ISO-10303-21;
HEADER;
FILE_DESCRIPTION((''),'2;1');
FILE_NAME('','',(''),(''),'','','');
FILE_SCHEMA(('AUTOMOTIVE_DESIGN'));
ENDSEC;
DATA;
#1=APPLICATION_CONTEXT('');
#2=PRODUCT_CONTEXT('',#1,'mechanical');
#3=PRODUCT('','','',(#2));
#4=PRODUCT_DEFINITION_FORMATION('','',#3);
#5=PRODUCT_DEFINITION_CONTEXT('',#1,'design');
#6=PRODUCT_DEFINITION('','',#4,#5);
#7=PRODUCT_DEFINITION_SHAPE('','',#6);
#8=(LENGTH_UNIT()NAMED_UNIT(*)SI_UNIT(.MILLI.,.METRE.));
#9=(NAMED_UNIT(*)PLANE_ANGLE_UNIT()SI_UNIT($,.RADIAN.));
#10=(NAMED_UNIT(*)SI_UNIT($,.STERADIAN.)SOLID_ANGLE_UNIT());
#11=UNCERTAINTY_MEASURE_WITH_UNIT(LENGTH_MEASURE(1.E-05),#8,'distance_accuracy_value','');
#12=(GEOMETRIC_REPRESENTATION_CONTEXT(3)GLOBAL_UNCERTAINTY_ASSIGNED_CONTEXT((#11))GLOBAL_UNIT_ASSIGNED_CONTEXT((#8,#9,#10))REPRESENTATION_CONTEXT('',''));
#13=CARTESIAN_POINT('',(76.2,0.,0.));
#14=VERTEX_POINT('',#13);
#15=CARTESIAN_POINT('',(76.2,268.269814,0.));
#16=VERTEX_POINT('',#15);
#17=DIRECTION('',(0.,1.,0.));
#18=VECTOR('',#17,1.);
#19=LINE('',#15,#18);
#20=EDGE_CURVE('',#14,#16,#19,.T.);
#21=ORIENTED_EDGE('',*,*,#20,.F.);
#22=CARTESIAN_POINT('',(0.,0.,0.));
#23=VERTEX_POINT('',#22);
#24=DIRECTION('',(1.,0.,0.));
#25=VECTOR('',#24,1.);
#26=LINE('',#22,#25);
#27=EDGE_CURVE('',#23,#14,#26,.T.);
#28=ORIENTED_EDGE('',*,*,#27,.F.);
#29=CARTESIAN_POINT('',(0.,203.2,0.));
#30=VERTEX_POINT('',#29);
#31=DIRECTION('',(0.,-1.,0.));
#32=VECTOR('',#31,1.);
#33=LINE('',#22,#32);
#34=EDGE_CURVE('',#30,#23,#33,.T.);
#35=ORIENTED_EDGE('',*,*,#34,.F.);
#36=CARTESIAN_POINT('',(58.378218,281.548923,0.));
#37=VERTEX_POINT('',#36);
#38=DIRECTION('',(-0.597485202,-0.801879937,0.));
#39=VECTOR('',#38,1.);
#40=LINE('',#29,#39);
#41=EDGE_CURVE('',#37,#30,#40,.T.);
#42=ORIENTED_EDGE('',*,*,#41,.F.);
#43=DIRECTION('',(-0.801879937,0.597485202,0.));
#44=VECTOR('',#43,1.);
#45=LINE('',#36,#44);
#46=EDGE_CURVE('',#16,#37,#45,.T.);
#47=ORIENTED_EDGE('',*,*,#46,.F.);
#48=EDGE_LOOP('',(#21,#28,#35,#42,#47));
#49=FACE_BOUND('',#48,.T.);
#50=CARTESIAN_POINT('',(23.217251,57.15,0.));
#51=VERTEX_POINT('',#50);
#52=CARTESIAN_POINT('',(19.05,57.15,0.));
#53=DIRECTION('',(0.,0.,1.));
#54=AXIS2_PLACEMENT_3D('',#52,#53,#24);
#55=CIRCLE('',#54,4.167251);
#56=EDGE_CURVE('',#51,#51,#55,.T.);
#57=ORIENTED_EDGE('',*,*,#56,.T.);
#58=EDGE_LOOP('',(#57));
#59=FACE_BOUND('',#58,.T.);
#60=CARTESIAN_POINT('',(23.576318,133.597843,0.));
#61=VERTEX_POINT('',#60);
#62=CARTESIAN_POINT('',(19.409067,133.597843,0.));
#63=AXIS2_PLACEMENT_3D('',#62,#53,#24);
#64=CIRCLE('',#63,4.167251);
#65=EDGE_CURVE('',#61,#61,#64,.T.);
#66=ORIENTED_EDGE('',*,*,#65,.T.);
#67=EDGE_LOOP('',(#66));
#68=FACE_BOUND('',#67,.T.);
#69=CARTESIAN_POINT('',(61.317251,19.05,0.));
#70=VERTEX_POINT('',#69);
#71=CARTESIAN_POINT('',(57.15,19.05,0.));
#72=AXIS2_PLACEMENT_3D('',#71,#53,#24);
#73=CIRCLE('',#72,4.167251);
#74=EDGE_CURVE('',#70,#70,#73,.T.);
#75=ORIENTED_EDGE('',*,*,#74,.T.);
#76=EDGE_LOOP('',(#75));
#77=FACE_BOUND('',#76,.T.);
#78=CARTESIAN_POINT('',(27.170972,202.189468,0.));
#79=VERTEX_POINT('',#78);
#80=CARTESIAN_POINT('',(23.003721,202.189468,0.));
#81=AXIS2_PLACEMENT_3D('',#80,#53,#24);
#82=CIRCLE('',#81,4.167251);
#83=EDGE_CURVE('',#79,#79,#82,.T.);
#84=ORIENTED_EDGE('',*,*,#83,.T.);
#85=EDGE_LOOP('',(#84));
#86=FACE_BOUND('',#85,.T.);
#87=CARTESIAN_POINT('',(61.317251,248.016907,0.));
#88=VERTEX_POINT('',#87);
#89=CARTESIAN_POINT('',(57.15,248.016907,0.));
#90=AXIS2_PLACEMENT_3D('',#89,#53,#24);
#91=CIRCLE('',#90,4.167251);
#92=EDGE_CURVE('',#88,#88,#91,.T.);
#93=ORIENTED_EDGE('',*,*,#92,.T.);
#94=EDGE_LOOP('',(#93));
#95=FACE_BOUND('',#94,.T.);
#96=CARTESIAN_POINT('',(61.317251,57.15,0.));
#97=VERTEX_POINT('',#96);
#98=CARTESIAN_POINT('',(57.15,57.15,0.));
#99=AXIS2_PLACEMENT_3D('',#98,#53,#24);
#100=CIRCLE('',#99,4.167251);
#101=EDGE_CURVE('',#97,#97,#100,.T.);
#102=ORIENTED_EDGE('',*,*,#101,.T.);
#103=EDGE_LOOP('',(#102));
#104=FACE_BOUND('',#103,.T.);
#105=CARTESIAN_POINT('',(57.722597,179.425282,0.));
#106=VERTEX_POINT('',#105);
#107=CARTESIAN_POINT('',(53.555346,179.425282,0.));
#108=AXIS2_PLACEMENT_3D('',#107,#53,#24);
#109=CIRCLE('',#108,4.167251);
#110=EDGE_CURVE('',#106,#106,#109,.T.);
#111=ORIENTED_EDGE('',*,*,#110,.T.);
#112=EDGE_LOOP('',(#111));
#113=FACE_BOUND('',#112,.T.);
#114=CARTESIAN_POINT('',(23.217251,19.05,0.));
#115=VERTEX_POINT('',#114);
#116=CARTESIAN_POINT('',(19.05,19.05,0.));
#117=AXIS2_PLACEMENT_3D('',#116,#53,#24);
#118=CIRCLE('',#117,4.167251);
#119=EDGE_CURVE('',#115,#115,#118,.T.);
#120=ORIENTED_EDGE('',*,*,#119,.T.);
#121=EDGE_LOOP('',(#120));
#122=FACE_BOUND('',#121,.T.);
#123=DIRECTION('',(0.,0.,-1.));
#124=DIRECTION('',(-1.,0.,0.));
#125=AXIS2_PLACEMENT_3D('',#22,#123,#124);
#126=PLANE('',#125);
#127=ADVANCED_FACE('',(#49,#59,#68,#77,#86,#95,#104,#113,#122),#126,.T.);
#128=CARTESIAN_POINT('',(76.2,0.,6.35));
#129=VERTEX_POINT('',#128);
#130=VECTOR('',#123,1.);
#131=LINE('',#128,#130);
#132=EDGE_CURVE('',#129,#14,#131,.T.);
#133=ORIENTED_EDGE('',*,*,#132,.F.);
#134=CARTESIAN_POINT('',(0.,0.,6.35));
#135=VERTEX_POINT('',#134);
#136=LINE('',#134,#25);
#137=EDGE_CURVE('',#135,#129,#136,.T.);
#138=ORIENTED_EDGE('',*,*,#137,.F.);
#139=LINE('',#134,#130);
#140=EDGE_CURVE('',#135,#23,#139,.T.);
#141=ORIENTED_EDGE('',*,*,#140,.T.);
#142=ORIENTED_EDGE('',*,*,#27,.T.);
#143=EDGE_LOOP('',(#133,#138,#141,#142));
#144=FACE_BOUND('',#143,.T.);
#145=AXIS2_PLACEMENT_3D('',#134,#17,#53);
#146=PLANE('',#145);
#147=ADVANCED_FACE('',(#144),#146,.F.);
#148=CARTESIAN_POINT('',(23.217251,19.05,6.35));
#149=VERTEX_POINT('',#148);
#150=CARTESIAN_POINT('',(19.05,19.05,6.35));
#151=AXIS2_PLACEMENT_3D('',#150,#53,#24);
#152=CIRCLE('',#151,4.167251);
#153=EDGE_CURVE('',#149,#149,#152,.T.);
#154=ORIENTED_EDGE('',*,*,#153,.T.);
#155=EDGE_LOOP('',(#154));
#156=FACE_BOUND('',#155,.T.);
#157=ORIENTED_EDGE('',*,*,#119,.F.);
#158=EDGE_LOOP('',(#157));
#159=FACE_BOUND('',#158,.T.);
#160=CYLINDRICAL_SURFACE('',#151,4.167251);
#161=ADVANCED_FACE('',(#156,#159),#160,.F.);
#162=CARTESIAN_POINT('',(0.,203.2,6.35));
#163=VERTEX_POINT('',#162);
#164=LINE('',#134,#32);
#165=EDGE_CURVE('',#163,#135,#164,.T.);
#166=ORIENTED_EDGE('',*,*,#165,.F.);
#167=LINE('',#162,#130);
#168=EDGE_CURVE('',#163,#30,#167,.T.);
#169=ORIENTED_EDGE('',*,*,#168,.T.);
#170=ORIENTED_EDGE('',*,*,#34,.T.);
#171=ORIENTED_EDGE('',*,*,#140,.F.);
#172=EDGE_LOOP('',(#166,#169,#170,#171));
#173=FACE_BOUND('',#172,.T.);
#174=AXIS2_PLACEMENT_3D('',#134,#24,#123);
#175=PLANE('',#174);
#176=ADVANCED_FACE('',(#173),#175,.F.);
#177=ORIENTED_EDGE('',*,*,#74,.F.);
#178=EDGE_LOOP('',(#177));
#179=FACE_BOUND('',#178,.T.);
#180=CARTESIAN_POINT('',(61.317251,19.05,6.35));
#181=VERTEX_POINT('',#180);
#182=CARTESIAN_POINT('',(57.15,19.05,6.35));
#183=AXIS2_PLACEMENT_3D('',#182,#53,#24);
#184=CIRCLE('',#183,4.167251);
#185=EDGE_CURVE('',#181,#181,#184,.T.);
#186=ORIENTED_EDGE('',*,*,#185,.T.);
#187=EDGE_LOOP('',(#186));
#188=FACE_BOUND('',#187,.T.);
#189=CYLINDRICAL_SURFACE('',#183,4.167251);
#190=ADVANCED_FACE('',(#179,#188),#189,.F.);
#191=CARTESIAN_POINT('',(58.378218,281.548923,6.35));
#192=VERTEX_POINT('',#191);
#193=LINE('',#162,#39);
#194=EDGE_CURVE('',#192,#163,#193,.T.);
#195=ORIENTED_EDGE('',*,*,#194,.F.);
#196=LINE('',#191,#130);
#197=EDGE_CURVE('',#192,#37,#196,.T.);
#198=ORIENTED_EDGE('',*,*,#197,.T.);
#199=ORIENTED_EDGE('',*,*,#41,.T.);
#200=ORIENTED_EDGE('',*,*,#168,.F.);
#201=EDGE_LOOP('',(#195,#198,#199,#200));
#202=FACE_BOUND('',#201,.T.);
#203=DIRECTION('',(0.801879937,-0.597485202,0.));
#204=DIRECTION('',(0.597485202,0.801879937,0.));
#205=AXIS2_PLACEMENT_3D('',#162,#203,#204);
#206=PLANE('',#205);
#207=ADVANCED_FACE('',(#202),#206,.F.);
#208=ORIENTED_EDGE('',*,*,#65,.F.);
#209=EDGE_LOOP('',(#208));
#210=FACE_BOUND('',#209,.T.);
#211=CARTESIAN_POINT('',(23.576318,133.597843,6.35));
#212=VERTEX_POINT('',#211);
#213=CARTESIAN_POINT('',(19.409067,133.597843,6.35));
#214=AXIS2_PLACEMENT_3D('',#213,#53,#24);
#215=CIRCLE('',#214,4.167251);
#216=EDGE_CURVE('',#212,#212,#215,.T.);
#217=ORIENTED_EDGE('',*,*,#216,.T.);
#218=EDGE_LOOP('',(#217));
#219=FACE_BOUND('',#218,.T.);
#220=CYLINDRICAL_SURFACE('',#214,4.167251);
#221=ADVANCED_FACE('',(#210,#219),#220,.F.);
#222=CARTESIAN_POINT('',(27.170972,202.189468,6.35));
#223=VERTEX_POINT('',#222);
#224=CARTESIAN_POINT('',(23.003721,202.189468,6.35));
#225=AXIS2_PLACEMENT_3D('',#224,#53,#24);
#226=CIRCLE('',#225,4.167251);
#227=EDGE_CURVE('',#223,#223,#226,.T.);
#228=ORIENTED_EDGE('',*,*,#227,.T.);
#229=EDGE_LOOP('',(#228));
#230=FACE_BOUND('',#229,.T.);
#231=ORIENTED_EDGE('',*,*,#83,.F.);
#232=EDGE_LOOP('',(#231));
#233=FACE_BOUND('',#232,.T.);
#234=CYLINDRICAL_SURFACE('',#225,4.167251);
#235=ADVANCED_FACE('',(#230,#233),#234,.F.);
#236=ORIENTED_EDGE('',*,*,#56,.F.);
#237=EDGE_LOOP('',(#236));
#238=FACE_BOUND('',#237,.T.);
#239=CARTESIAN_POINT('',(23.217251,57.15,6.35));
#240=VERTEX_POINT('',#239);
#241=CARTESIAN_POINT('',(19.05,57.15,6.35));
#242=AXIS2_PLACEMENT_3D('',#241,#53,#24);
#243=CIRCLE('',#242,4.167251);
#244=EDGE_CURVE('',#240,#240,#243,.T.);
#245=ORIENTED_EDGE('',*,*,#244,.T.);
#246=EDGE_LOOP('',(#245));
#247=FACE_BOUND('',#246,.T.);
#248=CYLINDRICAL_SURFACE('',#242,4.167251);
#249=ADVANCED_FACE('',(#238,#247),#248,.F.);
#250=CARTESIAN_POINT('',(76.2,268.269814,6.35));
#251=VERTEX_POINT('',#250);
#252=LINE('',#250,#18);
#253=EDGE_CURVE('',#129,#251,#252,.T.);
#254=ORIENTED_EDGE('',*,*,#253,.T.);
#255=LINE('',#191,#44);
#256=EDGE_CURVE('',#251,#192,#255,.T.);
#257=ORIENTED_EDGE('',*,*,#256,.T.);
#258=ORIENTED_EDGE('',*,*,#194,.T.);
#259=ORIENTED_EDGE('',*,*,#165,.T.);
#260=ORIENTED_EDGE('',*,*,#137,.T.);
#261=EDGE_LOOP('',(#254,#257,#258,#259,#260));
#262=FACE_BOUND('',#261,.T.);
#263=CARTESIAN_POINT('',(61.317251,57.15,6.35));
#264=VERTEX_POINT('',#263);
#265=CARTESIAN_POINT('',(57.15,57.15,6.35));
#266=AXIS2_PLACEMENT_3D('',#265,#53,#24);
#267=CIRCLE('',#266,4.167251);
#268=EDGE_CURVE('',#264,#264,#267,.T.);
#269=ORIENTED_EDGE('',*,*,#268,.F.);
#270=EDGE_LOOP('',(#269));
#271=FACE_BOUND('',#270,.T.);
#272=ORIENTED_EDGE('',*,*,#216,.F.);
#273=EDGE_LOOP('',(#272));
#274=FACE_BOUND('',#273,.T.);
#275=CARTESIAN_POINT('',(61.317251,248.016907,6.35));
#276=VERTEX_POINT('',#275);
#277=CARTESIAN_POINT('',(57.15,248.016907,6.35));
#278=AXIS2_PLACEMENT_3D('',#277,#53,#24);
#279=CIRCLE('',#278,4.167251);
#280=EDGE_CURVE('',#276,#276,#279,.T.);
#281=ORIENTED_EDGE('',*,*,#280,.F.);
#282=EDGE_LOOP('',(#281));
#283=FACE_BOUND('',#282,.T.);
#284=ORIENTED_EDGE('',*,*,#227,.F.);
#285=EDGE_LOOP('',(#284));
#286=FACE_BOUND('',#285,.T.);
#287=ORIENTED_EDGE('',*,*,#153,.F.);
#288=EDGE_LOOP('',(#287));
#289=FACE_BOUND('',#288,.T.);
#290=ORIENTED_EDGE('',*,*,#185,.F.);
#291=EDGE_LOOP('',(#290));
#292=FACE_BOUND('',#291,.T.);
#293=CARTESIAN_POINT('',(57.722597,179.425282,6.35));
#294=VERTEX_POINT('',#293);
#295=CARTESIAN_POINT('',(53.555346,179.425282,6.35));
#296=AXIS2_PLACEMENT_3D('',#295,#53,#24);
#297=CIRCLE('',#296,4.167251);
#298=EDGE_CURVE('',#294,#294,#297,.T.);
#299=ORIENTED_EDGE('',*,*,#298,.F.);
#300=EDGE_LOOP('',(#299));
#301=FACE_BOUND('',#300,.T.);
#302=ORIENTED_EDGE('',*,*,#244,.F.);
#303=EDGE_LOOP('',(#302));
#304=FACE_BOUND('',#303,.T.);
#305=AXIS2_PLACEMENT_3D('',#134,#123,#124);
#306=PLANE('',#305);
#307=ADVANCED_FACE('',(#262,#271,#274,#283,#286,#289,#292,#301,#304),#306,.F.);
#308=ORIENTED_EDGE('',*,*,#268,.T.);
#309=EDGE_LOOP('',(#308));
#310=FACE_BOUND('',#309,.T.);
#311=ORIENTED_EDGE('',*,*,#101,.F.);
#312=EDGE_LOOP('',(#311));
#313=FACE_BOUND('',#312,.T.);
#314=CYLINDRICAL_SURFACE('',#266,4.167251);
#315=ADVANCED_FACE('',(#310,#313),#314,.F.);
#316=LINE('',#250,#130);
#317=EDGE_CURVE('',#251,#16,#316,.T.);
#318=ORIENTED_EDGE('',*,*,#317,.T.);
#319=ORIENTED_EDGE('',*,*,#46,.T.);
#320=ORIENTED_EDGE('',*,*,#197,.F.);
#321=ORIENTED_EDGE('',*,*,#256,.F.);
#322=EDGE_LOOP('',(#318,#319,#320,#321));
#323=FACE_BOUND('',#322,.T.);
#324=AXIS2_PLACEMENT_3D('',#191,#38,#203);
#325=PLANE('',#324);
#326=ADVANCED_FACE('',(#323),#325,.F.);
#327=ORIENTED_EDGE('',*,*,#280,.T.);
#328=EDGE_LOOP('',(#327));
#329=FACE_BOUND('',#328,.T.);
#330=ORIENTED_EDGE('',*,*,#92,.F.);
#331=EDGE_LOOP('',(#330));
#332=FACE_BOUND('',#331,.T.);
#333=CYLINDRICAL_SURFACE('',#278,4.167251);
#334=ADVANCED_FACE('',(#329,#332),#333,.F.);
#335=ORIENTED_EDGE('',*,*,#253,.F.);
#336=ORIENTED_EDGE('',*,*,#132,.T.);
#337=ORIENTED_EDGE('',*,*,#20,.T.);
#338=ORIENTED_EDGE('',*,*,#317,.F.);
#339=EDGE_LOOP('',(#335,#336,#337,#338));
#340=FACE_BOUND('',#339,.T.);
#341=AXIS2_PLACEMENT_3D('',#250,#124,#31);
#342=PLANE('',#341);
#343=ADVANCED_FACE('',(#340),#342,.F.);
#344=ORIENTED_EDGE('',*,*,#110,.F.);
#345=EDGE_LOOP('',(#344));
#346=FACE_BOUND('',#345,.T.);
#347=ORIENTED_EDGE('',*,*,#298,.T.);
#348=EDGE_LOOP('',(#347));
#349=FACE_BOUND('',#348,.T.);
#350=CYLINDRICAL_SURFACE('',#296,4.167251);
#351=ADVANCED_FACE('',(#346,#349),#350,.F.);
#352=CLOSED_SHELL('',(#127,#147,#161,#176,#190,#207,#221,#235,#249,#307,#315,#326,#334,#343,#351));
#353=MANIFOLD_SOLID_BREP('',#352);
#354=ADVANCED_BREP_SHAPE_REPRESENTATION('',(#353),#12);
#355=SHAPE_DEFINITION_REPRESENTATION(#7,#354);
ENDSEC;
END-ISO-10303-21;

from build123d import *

# Parameters (mm, degrees)
BOSS_EXTRUDE1_DEPTH              = 6.35
F_21_64_0_32813_DIAMETER_HOLE1_D = 8.334502
LPATTERN1_COUNT                  = 2
LPATTERN1_PITCH                  = 38.1
LPATTERN1_COUNT_DIR2             = 2
LPATTERN1_PITCH_DIR2             = 38.1
F_21_64_0_32813_DIAMETER_HOLE2_D = 8.334502
LPATTERN2_COUNT                  = 3
LPATTERN2_PITCH                  = 57.15
LPATTERN2_COUNT_DIR2             = 2
LPATTERN2_PITCH_DIR2             = 38.1


with BuildPart() as part:
    # Sketch2 → Boss-Extrude1 (new body)
    with BuildSketch(Plane.XY):
        Polygon((0, 0), (76.2, 0), (76.2, 268.269814476), (58.378218394, 281.548923082), (0, 203.2), align=None)
    extrude(amount=BOSS_EXTRUDE1_DEPTH)

    # 21/64 (0.32813) Diameter Hole1 (through all)
    with Locations(Plane.XY.offset(6.35)):
        with Locations((57.15, 19.05)):
            f_21_64_0_32813_diameter_hole1 = Hole(F_21_64_0_32813_DIAMETER_HOLE1_D / 2)

    # LPattern1: 21_64 _0.32813_ Diameter Hole1 2 × 2
    with Locations(*[(-i * LPATTERN1_PITCH, j * LPATTERN1_PITCH_DIR2, 0) for i in range(LPATTERN1_COUNT) for j in range(LPATTERN1_COUNT_DIR2) if (i, j) != (0, 0)]):
        add(f_21_64_0_32813_diameter_hole1, mode=Mode.SUBTRACT)

    # 21/64 (0.32813) Diameter Hole2 (through all)
    with Locations(Plane.XY.offset(6.35)):
        with Locations((57.15, 248.0169065)):
            f_21_64_0_32813_diameter_hole2 = Hole(F_21_64_0_32813_DIAMETER_HOLE2_D / 2)

    # LPattern2: 21_64 _0.32813_ Diameter Hole2 3 × 2, 2 skipped
    with Locations(*[Vector(-0.5974852016253348, -0.8018799372965589, 0) * (i * LPATTERN2_PITCH) + Vector(0.8018799372965594, -0.5974852016253339, 0) * (j * LPATTERN2_PITCH_DIR2) for i in range(LPATTERN2_COUNT) for j in range(LPATTERN2_COUNT_DIR2) if (i, j) not in ((0, 0), (0, 1), (2, 0))]):
        add(f_21_64_0_32813_diameter_hole2, mode=Mode.SUBTRACT)


solid = part.part
